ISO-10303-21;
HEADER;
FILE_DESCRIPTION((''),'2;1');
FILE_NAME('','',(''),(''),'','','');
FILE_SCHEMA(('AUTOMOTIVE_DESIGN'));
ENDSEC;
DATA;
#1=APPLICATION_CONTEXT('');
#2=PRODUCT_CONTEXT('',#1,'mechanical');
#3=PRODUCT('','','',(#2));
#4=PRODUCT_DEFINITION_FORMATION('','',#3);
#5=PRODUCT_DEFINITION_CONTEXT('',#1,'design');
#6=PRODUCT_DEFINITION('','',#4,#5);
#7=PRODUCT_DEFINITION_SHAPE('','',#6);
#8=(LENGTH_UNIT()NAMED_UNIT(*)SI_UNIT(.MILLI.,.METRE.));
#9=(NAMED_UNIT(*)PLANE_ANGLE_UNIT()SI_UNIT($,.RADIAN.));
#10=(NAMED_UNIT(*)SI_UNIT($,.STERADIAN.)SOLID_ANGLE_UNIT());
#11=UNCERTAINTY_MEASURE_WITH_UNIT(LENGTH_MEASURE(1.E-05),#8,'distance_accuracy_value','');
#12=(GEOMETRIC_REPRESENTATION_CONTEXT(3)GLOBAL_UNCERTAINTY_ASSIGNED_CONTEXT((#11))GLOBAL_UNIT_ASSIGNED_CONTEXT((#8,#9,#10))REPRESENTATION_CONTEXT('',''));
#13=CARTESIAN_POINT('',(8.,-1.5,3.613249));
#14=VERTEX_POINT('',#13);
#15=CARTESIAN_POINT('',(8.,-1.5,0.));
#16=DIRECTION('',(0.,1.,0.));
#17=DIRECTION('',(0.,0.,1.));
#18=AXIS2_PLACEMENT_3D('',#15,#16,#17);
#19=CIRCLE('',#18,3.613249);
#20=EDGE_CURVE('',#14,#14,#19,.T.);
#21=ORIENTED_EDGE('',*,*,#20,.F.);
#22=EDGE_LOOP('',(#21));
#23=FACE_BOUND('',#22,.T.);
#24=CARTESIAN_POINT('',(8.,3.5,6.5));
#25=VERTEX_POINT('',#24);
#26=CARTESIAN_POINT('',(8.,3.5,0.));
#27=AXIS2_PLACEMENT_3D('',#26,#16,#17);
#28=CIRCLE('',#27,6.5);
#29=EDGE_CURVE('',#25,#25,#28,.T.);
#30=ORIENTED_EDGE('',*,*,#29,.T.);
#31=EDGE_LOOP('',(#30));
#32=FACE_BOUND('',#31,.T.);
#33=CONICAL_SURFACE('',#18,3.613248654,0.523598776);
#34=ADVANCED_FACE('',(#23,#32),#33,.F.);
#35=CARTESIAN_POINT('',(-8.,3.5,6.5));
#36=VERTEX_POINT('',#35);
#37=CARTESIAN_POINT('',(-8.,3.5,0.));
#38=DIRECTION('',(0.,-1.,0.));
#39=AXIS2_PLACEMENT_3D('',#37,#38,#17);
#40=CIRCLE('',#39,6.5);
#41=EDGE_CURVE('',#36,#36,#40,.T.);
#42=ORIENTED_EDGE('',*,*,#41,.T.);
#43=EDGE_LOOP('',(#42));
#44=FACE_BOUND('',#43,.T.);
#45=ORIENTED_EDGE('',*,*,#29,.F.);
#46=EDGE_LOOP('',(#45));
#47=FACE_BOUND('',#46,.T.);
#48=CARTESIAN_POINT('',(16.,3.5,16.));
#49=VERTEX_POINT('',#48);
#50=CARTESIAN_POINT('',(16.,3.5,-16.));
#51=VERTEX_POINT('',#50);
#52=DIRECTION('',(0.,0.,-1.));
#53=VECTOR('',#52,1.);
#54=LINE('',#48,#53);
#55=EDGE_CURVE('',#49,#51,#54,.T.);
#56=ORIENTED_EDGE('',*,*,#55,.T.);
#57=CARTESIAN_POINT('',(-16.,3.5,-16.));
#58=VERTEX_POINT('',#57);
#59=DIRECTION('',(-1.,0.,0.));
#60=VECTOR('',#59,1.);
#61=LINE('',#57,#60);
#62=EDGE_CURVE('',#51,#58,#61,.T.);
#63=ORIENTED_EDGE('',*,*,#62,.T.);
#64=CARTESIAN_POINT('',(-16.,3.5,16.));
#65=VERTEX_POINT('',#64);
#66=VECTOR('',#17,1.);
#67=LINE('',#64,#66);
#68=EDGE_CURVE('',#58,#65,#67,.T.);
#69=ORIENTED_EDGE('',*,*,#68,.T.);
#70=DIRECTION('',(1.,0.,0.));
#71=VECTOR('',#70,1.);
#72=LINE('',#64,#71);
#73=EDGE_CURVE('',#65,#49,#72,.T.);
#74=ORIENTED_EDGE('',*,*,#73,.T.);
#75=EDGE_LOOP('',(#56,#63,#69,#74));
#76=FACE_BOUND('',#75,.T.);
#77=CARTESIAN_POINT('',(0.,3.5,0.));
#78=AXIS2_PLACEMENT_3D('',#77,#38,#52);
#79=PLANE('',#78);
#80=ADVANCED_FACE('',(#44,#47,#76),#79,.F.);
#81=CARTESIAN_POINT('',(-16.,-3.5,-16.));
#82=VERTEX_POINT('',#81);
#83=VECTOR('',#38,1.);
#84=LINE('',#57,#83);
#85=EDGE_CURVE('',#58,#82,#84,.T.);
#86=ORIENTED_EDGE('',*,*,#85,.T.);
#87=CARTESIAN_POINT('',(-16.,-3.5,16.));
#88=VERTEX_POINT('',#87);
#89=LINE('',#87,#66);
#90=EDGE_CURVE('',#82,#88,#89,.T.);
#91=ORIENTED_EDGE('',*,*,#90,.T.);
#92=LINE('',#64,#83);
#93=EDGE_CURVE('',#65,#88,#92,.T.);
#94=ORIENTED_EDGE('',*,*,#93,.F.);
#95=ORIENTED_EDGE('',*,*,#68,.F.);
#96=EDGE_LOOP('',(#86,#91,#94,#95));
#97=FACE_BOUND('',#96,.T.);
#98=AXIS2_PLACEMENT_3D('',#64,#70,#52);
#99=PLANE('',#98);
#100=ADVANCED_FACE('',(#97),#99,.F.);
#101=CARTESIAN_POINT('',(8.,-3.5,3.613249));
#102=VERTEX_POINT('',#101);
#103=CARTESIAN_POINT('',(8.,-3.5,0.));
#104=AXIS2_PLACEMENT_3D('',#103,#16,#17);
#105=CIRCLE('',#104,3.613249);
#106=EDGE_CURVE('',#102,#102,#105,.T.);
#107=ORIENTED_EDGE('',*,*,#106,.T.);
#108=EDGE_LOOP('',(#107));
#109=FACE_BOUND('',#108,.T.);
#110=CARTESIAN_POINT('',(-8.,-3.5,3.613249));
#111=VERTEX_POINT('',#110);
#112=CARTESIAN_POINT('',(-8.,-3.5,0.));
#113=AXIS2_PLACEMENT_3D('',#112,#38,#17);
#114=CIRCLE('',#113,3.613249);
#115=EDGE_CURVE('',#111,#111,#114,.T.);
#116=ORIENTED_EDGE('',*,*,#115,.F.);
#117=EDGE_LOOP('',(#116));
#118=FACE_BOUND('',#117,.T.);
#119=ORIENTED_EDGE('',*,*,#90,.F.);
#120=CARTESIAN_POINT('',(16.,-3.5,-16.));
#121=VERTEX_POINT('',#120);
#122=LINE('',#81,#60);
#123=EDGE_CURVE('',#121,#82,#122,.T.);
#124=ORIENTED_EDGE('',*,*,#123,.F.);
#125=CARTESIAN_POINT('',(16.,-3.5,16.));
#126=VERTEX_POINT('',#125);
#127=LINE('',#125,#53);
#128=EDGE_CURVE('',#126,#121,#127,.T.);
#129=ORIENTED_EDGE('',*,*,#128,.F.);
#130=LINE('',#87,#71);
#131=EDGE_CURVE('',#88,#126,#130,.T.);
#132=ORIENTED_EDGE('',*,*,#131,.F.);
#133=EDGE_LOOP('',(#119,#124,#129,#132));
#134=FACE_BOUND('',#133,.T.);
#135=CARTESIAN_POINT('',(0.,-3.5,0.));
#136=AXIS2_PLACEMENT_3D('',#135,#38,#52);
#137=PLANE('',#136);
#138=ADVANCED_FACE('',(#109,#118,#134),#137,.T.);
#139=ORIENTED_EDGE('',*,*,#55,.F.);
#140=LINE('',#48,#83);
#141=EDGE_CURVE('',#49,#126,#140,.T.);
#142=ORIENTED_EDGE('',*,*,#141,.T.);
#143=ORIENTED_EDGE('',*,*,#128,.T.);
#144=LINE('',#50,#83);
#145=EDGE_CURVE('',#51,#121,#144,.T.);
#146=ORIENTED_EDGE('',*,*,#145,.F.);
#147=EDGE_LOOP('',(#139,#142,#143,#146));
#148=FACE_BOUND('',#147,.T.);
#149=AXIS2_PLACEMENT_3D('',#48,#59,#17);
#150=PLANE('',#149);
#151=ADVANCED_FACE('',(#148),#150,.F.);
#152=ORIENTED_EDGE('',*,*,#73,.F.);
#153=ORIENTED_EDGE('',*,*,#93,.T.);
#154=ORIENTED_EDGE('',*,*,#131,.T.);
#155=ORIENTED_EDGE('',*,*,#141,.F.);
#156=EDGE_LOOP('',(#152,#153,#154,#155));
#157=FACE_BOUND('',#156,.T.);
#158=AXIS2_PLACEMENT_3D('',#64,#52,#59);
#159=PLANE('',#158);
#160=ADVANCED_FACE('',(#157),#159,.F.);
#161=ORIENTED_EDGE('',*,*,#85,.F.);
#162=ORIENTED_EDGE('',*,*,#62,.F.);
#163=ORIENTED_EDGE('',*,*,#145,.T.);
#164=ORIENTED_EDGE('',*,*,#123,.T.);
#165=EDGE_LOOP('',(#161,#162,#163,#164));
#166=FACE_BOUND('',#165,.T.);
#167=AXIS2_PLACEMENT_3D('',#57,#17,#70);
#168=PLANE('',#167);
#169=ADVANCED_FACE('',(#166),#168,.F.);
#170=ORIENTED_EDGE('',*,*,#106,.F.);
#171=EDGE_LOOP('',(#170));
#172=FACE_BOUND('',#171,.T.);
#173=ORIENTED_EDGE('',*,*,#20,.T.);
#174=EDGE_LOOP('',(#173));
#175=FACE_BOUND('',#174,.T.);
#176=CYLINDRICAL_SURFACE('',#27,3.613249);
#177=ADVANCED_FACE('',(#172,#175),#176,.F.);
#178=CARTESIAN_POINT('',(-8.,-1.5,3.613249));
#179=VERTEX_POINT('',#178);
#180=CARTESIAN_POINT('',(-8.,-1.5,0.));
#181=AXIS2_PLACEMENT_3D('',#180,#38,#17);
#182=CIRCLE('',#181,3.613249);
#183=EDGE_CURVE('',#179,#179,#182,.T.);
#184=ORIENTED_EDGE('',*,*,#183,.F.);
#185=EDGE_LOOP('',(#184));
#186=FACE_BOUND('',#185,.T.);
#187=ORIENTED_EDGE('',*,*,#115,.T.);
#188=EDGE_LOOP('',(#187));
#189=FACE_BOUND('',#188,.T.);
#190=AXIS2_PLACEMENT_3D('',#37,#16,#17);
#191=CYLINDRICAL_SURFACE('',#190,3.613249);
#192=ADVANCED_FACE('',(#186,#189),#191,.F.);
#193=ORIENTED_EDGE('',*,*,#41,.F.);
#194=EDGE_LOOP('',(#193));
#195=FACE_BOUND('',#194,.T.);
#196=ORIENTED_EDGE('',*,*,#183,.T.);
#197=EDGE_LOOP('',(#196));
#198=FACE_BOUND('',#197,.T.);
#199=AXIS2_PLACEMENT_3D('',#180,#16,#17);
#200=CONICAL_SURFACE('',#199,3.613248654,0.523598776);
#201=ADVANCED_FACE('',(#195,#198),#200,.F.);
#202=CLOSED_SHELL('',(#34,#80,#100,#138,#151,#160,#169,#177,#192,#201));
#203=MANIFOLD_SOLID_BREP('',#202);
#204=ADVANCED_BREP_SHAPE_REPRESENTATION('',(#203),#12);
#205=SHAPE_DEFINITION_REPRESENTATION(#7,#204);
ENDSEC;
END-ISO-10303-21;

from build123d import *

# Parameters (mm, degrees)
SKETCH1_W           = 32
SKETCH1_H           = 32
BOSS_EXTRUDE1_DEPTH = 3.5


with BuildPart() as part:
    # Sketch1 → Boss-Extrude1 (new body, symmetric)
    with BuildSketch(Plane(origin=(0, 0, 0), x_dir=(1, 0, 0), z_dir=(0, 1, 0))):
        Rectangle(SKETCH1_W, SKETCH1_H)
    extrude(amount=BOSS_EXTRUDE1_DEPTH, both=True)

    # Sketch2 → Cut-Revolve1 (revolve, cut)
    with BuildSketch(Plane.XY):
        Polygon((8, 3.5), (14.5, 3.5), (11.613248654, -1.5), (11.613248654, -3.5), (8, -3.5), align=None)
    cut_revolve1 = revolve(axis=Axis((8, 3.5, 0), (0, -1, 0)), mode=Mode.SUBTRACT)

    # Mirror1: Cut-Revolve1 across plane
    add(cut_revolve1.mirror(Plane(origin=(0, 0, 0), x_dir=(0, 0, 1), z_dir=(1, 0, 0))), mode=Mode.SUBTRACT)


solid = part.part
